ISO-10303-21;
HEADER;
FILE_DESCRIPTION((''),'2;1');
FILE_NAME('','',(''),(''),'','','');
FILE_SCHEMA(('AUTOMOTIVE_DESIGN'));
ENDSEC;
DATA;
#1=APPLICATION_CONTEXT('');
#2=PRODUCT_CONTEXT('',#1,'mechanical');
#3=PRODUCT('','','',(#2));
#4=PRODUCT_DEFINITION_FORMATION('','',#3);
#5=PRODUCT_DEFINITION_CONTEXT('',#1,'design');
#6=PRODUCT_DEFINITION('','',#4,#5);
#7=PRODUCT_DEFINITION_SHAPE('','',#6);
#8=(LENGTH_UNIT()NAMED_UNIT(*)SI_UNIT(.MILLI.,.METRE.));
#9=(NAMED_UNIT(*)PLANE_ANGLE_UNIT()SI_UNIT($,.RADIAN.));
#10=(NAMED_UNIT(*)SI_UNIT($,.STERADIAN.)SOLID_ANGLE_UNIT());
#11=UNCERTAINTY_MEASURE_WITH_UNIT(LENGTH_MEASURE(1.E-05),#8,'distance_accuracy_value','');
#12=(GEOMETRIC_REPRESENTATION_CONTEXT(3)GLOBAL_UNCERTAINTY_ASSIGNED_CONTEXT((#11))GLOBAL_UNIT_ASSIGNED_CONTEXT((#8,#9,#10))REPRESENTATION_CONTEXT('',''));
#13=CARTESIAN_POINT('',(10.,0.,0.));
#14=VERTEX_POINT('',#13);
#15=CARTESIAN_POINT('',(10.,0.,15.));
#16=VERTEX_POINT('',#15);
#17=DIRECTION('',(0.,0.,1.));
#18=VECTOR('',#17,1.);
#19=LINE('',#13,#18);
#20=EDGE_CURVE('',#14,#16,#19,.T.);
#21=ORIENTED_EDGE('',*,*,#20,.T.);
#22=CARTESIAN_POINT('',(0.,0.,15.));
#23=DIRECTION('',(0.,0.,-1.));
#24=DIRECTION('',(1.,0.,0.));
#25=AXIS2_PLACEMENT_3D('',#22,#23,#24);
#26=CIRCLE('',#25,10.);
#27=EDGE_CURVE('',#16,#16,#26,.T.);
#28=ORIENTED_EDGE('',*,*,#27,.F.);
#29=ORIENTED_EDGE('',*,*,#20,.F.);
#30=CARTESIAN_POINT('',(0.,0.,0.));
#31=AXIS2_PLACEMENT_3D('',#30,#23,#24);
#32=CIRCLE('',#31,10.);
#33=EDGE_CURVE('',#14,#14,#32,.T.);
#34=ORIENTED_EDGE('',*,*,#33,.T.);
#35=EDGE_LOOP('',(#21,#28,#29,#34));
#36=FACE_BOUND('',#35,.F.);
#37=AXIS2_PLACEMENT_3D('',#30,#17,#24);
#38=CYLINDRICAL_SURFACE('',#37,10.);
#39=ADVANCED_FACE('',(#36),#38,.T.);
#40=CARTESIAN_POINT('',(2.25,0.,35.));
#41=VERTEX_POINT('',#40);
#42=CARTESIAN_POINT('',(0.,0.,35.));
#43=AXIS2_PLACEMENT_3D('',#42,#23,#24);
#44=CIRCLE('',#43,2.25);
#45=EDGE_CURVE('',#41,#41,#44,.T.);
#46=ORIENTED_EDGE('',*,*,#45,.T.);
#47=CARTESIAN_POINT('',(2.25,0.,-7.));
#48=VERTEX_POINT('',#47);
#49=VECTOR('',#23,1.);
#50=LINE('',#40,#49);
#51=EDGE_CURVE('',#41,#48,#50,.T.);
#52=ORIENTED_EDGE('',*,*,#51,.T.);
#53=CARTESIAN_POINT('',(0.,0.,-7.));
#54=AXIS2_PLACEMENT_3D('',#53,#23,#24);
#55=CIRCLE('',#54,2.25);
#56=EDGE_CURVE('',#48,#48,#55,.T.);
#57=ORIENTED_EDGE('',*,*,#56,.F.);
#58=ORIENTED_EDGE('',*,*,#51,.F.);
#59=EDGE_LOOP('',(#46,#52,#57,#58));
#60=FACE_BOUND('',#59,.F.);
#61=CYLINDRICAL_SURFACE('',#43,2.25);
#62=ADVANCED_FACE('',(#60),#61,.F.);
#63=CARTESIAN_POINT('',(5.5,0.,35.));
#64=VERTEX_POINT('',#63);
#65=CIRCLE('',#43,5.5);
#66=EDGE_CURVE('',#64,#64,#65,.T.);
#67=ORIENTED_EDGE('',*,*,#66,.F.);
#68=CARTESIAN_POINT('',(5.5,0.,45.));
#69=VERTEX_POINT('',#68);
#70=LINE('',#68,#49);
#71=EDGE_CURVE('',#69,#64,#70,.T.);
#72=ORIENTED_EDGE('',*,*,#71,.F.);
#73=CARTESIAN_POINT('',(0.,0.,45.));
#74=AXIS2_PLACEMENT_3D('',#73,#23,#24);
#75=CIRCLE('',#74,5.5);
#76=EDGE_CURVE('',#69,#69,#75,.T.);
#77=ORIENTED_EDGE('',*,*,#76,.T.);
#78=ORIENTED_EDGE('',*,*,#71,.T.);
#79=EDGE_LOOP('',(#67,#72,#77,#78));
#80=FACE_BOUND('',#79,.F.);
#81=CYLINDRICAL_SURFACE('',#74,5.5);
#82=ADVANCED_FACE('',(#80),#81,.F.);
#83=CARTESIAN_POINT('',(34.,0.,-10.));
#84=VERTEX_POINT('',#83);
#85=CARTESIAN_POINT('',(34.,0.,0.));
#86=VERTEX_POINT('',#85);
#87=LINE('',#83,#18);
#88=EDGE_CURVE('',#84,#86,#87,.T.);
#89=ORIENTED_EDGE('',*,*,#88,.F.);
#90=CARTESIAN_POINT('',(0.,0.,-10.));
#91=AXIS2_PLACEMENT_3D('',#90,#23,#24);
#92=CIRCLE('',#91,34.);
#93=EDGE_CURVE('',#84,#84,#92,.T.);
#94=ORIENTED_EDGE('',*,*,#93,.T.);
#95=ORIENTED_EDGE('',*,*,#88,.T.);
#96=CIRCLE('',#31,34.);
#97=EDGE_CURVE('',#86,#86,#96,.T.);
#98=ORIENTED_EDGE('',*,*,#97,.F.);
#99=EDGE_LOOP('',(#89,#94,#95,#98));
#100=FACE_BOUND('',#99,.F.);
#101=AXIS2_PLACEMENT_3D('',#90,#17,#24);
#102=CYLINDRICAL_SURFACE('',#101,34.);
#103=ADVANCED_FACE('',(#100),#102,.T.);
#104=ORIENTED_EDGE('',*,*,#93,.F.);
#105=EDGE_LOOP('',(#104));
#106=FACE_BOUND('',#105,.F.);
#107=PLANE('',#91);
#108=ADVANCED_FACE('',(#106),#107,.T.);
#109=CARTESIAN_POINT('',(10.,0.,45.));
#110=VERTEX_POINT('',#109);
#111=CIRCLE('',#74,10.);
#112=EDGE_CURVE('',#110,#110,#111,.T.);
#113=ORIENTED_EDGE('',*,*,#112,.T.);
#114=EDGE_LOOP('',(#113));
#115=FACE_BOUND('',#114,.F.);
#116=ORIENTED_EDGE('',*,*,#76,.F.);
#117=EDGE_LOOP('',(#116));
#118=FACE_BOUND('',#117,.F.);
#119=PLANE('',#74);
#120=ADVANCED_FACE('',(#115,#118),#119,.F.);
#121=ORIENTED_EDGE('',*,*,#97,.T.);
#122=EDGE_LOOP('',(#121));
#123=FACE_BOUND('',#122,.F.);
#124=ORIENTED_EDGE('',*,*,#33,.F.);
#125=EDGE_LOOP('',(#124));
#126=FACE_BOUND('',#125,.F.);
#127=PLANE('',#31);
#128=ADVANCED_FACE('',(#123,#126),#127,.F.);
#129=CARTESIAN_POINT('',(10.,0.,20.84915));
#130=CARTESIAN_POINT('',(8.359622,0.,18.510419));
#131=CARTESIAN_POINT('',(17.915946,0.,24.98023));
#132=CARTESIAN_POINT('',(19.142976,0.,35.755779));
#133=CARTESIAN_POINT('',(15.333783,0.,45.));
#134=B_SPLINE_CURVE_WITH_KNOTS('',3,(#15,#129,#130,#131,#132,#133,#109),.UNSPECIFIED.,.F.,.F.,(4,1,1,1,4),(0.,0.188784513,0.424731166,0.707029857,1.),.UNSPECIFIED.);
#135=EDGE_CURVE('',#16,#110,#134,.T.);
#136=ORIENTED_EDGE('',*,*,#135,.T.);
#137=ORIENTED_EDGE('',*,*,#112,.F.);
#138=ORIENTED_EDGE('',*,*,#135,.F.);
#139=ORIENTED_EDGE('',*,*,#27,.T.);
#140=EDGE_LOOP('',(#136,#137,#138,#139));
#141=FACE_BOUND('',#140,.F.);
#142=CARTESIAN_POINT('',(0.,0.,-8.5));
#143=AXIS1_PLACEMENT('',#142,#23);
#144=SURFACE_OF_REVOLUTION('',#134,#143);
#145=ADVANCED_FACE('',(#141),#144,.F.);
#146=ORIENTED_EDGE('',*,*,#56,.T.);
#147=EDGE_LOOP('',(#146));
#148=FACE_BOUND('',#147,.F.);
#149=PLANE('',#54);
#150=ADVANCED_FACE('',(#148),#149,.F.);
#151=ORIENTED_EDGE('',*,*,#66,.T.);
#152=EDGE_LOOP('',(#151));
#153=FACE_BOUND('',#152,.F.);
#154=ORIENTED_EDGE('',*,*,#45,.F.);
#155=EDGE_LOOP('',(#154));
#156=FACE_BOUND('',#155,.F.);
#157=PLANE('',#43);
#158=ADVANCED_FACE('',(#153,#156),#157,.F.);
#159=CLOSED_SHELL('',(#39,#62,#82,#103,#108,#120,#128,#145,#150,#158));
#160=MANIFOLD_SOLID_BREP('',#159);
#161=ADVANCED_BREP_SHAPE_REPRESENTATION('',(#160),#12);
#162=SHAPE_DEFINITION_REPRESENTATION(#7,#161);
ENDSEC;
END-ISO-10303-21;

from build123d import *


with BuildPart() as f1:
    # F0 (on Front) → F1 (revolve)
    with BuildSketch(Plane.XZ):
        with BuildLine():
            Line((0, -7), (0, -10))
            Line((0, -10), (34, -10))
            Line((34, -10), (34, 0))
            Line((34, 0), (10, 0))
            Line((10, 0), (10, 15))
            add(Edge.make_bspline(
                [(10, 15), (10, 20.8491496917), (8.3596222942, 18.5104188454), (17.9159458312, 24.9802302624), (19.1429758083, 35.7557790751), (15.3337831227, 45), (10, 45)],
                knots=[0, 0, 0, 0, 0.1887845131, 0.4247311659, 0.7070298574, 1, 1, 1, 1], degree=3))
            Line((10, 45), (5.5, 45))
            Line((5.5, 45), (5.5, 35))
            Line((5.5, 35), (2.25, 35))
            Line((2.25, 35), (2.25, -7))
            Line((2.25, -7), (0, -7))
        make_face()
    revolve(axis=Axis((0, 0, -8.5), (0, 0, -1)))


solid = f1.part
